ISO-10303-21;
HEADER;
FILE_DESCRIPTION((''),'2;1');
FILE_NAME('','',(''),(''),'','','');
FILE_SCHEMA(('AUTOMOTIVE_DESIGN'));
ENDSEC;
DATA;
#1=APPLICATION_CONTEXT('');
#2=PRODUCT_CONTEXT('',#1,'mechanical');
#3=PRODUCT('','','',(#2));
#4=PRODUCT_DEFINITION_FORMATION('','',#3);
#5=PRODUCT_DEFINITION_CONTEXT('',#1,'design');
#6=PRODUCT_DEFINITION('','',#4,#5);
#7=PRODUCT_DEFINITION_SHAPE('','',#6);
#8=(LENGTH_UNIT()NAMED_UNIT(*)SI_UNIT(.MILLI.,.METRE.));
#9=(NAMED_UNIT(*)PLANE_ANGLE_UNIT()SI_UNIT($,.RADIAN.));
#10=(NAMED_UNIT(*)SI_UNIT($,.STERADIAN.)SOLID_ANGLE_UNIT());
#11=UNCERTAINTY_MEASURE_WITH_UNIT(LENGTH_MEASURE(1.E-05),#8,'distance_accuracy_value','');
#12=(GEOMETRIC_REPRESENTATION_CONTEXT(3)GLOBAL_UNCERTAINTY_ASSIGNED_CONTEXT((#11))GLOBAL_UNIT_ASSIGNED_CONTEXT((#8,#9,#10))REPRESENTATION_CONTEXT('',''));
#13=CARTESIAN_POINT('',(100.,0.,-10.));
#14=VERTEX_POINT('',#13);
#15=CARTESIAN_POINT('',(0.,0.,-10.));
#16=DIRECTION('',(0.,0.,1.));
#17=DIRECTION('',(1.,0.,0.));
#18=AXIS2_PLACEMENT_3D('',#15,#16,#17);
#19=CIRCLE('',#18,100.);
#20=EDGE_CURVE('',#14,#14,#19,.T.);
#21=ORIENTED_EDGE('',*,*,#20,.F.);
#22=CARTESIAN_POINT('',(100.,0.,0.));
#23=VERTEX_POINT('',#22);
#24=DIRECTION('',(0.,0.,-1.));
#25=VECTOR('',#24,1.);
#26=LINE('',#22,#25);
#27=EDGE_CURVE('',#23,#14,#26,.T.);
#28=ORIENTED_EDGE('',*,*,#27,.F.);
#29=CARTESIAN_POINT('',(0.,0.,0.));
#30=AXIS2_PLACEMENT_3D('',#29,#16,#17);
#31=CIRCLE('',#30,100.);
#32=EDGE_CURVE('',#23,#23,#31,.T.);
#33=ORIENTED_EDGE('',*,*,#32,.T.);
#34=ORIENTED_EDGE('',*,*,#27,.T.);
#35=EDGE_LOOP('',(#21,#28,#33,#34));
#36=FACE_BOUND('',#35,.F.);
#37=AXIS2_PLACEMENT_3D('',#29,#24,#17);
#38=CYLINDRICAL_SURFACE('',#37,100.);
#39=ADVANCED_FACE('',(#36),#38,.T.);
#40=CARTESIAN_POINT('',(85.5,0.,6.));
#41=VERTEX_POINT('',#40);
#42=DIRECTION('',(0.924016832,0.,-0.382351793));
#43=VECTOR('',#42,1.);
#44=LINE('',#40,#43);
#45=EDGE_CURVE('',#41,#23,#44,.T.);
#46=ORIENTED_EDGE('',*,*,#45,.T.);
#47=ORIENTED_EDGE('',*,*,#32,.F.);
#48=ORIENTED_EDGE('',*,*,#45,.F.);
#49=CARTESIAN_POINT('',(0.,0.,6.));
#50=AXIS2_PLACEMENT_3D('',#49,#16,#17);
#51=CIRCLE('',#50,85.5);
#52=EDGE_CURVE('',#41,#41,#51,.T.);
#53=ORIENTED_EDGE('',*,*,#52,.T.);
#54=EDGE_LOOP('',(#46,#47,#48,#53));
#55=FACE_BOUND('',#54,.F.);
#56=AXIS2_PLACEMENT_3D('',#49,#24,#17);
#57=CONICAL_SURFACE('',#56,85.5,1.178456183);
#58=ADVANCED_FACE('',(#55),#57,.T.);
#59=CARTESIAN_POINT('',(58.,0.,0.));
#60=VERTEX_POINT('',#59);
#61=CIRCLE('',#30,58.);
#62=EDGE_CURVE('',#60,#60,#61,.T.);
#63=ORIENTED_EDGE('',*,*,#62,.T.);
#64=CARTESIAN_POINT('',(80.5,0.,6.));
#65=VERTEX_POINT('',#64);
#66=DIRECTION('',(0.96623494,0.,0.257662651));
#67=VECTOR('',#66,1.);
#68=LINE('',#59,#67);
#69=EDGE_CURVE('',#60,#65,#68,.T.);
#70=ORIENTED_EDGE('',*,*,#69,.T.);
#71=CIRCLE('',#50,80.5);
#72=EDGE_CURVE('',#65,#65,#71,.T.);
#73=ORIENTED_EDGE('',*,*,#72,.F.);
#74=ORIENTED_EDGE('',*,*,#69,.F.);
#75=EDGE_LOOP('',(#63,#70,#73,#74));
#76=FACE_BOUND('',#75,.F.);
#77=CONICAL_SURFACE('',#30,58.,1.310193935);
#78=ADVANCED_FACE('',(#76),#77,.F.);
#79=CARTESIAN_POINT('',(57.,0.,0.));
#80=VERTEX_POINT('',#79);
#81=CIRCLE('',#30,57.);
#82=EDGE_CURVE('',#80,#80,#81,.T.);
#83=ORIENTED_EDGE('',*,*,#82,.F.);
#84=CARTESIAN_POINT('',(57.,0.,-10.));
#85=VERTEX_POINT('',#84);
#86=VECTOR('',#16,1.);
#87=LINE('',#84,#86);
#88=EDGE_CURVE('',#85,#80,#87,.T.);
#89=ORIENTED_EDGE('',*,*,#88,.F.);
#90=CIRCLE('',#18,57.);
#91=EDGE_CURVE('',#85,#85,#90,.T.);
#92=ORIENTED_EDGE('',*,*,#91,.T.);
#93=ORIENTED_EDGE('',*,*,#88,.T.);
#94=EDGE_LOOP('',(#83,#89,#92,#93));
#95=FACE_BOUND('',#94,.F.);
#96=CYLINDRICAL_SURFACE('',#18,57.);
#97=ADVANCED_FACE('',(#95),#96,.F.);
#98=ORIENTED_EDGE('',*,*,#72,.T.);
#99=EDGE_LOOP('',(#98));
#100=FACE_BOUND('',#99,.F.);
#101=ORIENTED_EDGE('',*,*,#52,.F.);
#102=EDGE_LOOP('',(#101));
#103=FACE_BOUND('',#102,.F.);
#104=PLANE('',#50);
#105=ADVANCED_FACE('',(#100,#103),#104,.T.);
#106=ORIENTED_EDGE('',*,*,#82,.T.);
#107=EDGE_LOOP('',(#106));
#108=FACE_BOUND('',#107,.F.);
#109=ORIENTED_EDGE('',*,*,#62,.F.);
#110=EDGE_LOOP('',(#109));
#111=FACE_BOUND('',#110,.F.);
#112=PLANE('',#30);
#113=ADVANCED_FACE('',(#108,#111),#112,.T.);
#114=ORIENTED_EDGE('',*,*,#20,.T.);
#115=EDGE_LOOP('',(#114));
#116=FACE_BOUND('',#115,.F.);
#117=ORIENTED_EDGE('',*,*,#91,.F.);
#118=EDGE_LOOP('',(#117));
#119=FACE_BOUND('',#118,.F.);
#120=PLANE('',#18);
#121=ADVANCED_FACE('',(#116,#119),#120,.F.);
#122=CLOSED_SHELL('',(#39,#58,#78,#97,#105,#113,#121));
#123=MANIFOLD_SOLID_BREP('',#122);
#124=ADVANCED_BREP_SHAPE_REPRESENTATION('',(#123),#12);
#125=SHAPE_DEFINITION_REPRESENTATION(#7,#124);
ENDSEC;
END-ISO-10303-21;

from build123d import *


with BuildPart() as part:
    # Sketch → Revolution (revolve)
    with BuildSketch(Plane.XZ):
        Polygon((58, 0), (80.5, 6), (85.5, 6), (100, 0), (100, -10), (57, -10), (57, 0), align=None)
    revolve(axis=Axis((0, 0, 0), (0, 0, 1)))


solid = part.part
